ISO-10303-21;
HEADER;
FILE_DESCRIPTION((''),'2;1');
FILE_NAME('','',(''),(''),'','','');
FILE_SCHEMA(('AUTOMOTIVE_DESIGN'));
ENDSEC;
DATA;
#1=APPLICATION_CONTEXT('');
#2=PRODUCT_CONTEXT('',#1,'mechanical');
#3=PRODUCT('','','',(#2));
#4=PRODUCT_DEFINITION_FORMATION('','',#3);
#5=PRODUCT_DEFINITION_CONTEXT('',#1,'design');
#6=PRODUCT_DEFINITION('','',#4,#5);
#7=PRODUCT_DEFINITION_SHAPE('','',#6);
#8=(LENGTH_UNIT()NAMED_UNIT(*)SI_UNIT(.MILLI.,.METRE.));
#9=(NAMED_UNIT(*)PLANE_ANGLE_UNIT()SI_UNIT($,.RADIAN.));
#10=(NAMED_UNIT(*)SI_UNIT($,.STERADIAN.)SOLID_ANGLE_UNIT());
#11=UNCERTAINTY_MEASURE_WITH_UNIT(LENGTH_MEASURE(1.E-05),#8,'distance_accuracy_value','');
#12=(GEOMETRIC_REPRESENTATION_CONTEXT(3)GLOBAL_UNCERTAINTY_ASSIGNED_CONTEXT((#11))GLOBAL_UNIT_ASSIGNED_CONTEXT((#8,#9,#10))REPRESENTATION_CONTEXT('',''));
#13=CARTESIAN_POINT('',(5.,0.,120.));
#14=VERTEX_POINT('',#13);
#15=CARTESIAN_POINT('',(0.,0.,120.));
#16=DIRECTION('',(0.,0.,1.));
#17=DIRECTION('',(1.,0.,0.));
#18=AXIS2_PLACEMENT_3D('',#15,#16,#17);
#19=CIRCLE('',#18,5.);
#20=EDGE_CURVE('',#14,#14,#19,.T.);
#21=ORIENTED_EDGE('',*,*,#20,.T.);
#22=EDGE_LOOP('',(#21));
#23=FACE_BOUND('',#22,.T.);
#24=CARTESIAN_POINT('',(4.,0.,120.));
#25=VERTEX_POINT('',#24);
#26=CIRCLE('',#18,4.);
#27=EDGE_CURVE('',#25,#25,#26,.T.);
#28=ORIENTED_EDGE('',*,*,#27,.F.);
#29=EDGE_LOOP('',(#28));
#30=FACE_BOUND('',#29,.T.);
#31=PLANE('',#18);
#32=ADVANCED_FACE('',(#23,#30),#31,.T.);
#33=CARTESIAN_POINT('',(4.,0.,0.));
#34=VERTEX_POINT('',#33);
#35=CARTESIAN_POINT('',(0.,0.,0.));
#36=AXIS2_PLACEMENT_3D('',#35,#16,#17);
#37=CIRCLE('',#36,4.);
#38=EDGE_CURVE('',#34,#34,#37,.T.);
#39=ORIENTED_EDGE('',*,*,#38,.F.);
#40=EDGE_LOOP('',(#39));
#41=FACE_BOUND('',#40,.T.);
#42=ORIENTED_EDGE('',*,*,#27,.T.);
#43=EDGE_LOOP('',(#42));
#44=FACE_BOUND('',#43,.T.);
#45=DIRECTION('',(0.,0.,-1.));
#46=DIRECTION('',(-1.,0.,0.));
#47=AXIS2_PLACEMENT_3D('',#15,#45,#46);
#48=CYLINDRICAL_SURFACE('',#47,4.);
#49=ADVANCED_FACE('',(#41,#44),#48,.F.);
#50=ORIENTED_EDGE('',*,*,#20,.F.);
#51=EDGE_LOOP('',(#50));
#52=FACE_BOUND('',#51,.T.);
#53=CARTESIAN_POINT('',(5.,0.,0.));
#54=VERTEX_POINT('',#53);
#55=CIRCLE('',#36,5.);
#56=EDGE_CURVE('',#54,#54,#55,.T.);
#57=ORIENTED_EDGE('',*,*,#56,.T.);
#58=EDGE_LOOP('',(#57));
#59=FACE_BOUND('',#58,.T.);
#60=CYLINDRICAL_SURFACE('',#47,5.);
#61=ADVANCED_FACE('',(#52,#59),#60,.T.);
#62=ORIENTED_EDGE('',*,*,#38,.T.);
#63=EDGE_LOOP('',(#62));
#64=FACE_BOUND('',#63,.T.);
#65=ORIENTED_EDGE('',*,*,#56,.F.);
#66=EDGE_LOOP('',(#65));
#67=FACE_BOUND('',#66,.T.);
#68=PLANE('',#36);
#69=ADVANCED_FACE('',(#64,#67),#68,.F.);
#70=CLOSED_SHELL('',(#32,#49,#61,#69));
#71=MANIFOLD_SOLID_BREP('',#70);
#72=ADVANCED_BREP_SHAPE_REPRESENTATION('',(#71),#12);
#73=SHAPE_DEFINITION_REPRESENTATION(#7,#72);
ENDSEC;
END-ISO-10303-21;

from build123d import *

# Parameters (mm, degrees)
SZKIC1_R                    = 5
SZKIC1_R_2                  = 4
DODANIE_WYCI_GNI_CIE1_DEPTH = 120


with BuildPart() as part:
    # Szkic1 → Dodanie-wyciągnięcie1 (new body)
    with BuildSketch(Plane.XY):
        Circle(SZKIC1_R)
        Circle(SZKIC1_R_2, mode=Mode.SUBTRACT)
    extrude(amount=DODANIE_WYCI_GNI_CIE1_DEPTH)


solid = part.part
